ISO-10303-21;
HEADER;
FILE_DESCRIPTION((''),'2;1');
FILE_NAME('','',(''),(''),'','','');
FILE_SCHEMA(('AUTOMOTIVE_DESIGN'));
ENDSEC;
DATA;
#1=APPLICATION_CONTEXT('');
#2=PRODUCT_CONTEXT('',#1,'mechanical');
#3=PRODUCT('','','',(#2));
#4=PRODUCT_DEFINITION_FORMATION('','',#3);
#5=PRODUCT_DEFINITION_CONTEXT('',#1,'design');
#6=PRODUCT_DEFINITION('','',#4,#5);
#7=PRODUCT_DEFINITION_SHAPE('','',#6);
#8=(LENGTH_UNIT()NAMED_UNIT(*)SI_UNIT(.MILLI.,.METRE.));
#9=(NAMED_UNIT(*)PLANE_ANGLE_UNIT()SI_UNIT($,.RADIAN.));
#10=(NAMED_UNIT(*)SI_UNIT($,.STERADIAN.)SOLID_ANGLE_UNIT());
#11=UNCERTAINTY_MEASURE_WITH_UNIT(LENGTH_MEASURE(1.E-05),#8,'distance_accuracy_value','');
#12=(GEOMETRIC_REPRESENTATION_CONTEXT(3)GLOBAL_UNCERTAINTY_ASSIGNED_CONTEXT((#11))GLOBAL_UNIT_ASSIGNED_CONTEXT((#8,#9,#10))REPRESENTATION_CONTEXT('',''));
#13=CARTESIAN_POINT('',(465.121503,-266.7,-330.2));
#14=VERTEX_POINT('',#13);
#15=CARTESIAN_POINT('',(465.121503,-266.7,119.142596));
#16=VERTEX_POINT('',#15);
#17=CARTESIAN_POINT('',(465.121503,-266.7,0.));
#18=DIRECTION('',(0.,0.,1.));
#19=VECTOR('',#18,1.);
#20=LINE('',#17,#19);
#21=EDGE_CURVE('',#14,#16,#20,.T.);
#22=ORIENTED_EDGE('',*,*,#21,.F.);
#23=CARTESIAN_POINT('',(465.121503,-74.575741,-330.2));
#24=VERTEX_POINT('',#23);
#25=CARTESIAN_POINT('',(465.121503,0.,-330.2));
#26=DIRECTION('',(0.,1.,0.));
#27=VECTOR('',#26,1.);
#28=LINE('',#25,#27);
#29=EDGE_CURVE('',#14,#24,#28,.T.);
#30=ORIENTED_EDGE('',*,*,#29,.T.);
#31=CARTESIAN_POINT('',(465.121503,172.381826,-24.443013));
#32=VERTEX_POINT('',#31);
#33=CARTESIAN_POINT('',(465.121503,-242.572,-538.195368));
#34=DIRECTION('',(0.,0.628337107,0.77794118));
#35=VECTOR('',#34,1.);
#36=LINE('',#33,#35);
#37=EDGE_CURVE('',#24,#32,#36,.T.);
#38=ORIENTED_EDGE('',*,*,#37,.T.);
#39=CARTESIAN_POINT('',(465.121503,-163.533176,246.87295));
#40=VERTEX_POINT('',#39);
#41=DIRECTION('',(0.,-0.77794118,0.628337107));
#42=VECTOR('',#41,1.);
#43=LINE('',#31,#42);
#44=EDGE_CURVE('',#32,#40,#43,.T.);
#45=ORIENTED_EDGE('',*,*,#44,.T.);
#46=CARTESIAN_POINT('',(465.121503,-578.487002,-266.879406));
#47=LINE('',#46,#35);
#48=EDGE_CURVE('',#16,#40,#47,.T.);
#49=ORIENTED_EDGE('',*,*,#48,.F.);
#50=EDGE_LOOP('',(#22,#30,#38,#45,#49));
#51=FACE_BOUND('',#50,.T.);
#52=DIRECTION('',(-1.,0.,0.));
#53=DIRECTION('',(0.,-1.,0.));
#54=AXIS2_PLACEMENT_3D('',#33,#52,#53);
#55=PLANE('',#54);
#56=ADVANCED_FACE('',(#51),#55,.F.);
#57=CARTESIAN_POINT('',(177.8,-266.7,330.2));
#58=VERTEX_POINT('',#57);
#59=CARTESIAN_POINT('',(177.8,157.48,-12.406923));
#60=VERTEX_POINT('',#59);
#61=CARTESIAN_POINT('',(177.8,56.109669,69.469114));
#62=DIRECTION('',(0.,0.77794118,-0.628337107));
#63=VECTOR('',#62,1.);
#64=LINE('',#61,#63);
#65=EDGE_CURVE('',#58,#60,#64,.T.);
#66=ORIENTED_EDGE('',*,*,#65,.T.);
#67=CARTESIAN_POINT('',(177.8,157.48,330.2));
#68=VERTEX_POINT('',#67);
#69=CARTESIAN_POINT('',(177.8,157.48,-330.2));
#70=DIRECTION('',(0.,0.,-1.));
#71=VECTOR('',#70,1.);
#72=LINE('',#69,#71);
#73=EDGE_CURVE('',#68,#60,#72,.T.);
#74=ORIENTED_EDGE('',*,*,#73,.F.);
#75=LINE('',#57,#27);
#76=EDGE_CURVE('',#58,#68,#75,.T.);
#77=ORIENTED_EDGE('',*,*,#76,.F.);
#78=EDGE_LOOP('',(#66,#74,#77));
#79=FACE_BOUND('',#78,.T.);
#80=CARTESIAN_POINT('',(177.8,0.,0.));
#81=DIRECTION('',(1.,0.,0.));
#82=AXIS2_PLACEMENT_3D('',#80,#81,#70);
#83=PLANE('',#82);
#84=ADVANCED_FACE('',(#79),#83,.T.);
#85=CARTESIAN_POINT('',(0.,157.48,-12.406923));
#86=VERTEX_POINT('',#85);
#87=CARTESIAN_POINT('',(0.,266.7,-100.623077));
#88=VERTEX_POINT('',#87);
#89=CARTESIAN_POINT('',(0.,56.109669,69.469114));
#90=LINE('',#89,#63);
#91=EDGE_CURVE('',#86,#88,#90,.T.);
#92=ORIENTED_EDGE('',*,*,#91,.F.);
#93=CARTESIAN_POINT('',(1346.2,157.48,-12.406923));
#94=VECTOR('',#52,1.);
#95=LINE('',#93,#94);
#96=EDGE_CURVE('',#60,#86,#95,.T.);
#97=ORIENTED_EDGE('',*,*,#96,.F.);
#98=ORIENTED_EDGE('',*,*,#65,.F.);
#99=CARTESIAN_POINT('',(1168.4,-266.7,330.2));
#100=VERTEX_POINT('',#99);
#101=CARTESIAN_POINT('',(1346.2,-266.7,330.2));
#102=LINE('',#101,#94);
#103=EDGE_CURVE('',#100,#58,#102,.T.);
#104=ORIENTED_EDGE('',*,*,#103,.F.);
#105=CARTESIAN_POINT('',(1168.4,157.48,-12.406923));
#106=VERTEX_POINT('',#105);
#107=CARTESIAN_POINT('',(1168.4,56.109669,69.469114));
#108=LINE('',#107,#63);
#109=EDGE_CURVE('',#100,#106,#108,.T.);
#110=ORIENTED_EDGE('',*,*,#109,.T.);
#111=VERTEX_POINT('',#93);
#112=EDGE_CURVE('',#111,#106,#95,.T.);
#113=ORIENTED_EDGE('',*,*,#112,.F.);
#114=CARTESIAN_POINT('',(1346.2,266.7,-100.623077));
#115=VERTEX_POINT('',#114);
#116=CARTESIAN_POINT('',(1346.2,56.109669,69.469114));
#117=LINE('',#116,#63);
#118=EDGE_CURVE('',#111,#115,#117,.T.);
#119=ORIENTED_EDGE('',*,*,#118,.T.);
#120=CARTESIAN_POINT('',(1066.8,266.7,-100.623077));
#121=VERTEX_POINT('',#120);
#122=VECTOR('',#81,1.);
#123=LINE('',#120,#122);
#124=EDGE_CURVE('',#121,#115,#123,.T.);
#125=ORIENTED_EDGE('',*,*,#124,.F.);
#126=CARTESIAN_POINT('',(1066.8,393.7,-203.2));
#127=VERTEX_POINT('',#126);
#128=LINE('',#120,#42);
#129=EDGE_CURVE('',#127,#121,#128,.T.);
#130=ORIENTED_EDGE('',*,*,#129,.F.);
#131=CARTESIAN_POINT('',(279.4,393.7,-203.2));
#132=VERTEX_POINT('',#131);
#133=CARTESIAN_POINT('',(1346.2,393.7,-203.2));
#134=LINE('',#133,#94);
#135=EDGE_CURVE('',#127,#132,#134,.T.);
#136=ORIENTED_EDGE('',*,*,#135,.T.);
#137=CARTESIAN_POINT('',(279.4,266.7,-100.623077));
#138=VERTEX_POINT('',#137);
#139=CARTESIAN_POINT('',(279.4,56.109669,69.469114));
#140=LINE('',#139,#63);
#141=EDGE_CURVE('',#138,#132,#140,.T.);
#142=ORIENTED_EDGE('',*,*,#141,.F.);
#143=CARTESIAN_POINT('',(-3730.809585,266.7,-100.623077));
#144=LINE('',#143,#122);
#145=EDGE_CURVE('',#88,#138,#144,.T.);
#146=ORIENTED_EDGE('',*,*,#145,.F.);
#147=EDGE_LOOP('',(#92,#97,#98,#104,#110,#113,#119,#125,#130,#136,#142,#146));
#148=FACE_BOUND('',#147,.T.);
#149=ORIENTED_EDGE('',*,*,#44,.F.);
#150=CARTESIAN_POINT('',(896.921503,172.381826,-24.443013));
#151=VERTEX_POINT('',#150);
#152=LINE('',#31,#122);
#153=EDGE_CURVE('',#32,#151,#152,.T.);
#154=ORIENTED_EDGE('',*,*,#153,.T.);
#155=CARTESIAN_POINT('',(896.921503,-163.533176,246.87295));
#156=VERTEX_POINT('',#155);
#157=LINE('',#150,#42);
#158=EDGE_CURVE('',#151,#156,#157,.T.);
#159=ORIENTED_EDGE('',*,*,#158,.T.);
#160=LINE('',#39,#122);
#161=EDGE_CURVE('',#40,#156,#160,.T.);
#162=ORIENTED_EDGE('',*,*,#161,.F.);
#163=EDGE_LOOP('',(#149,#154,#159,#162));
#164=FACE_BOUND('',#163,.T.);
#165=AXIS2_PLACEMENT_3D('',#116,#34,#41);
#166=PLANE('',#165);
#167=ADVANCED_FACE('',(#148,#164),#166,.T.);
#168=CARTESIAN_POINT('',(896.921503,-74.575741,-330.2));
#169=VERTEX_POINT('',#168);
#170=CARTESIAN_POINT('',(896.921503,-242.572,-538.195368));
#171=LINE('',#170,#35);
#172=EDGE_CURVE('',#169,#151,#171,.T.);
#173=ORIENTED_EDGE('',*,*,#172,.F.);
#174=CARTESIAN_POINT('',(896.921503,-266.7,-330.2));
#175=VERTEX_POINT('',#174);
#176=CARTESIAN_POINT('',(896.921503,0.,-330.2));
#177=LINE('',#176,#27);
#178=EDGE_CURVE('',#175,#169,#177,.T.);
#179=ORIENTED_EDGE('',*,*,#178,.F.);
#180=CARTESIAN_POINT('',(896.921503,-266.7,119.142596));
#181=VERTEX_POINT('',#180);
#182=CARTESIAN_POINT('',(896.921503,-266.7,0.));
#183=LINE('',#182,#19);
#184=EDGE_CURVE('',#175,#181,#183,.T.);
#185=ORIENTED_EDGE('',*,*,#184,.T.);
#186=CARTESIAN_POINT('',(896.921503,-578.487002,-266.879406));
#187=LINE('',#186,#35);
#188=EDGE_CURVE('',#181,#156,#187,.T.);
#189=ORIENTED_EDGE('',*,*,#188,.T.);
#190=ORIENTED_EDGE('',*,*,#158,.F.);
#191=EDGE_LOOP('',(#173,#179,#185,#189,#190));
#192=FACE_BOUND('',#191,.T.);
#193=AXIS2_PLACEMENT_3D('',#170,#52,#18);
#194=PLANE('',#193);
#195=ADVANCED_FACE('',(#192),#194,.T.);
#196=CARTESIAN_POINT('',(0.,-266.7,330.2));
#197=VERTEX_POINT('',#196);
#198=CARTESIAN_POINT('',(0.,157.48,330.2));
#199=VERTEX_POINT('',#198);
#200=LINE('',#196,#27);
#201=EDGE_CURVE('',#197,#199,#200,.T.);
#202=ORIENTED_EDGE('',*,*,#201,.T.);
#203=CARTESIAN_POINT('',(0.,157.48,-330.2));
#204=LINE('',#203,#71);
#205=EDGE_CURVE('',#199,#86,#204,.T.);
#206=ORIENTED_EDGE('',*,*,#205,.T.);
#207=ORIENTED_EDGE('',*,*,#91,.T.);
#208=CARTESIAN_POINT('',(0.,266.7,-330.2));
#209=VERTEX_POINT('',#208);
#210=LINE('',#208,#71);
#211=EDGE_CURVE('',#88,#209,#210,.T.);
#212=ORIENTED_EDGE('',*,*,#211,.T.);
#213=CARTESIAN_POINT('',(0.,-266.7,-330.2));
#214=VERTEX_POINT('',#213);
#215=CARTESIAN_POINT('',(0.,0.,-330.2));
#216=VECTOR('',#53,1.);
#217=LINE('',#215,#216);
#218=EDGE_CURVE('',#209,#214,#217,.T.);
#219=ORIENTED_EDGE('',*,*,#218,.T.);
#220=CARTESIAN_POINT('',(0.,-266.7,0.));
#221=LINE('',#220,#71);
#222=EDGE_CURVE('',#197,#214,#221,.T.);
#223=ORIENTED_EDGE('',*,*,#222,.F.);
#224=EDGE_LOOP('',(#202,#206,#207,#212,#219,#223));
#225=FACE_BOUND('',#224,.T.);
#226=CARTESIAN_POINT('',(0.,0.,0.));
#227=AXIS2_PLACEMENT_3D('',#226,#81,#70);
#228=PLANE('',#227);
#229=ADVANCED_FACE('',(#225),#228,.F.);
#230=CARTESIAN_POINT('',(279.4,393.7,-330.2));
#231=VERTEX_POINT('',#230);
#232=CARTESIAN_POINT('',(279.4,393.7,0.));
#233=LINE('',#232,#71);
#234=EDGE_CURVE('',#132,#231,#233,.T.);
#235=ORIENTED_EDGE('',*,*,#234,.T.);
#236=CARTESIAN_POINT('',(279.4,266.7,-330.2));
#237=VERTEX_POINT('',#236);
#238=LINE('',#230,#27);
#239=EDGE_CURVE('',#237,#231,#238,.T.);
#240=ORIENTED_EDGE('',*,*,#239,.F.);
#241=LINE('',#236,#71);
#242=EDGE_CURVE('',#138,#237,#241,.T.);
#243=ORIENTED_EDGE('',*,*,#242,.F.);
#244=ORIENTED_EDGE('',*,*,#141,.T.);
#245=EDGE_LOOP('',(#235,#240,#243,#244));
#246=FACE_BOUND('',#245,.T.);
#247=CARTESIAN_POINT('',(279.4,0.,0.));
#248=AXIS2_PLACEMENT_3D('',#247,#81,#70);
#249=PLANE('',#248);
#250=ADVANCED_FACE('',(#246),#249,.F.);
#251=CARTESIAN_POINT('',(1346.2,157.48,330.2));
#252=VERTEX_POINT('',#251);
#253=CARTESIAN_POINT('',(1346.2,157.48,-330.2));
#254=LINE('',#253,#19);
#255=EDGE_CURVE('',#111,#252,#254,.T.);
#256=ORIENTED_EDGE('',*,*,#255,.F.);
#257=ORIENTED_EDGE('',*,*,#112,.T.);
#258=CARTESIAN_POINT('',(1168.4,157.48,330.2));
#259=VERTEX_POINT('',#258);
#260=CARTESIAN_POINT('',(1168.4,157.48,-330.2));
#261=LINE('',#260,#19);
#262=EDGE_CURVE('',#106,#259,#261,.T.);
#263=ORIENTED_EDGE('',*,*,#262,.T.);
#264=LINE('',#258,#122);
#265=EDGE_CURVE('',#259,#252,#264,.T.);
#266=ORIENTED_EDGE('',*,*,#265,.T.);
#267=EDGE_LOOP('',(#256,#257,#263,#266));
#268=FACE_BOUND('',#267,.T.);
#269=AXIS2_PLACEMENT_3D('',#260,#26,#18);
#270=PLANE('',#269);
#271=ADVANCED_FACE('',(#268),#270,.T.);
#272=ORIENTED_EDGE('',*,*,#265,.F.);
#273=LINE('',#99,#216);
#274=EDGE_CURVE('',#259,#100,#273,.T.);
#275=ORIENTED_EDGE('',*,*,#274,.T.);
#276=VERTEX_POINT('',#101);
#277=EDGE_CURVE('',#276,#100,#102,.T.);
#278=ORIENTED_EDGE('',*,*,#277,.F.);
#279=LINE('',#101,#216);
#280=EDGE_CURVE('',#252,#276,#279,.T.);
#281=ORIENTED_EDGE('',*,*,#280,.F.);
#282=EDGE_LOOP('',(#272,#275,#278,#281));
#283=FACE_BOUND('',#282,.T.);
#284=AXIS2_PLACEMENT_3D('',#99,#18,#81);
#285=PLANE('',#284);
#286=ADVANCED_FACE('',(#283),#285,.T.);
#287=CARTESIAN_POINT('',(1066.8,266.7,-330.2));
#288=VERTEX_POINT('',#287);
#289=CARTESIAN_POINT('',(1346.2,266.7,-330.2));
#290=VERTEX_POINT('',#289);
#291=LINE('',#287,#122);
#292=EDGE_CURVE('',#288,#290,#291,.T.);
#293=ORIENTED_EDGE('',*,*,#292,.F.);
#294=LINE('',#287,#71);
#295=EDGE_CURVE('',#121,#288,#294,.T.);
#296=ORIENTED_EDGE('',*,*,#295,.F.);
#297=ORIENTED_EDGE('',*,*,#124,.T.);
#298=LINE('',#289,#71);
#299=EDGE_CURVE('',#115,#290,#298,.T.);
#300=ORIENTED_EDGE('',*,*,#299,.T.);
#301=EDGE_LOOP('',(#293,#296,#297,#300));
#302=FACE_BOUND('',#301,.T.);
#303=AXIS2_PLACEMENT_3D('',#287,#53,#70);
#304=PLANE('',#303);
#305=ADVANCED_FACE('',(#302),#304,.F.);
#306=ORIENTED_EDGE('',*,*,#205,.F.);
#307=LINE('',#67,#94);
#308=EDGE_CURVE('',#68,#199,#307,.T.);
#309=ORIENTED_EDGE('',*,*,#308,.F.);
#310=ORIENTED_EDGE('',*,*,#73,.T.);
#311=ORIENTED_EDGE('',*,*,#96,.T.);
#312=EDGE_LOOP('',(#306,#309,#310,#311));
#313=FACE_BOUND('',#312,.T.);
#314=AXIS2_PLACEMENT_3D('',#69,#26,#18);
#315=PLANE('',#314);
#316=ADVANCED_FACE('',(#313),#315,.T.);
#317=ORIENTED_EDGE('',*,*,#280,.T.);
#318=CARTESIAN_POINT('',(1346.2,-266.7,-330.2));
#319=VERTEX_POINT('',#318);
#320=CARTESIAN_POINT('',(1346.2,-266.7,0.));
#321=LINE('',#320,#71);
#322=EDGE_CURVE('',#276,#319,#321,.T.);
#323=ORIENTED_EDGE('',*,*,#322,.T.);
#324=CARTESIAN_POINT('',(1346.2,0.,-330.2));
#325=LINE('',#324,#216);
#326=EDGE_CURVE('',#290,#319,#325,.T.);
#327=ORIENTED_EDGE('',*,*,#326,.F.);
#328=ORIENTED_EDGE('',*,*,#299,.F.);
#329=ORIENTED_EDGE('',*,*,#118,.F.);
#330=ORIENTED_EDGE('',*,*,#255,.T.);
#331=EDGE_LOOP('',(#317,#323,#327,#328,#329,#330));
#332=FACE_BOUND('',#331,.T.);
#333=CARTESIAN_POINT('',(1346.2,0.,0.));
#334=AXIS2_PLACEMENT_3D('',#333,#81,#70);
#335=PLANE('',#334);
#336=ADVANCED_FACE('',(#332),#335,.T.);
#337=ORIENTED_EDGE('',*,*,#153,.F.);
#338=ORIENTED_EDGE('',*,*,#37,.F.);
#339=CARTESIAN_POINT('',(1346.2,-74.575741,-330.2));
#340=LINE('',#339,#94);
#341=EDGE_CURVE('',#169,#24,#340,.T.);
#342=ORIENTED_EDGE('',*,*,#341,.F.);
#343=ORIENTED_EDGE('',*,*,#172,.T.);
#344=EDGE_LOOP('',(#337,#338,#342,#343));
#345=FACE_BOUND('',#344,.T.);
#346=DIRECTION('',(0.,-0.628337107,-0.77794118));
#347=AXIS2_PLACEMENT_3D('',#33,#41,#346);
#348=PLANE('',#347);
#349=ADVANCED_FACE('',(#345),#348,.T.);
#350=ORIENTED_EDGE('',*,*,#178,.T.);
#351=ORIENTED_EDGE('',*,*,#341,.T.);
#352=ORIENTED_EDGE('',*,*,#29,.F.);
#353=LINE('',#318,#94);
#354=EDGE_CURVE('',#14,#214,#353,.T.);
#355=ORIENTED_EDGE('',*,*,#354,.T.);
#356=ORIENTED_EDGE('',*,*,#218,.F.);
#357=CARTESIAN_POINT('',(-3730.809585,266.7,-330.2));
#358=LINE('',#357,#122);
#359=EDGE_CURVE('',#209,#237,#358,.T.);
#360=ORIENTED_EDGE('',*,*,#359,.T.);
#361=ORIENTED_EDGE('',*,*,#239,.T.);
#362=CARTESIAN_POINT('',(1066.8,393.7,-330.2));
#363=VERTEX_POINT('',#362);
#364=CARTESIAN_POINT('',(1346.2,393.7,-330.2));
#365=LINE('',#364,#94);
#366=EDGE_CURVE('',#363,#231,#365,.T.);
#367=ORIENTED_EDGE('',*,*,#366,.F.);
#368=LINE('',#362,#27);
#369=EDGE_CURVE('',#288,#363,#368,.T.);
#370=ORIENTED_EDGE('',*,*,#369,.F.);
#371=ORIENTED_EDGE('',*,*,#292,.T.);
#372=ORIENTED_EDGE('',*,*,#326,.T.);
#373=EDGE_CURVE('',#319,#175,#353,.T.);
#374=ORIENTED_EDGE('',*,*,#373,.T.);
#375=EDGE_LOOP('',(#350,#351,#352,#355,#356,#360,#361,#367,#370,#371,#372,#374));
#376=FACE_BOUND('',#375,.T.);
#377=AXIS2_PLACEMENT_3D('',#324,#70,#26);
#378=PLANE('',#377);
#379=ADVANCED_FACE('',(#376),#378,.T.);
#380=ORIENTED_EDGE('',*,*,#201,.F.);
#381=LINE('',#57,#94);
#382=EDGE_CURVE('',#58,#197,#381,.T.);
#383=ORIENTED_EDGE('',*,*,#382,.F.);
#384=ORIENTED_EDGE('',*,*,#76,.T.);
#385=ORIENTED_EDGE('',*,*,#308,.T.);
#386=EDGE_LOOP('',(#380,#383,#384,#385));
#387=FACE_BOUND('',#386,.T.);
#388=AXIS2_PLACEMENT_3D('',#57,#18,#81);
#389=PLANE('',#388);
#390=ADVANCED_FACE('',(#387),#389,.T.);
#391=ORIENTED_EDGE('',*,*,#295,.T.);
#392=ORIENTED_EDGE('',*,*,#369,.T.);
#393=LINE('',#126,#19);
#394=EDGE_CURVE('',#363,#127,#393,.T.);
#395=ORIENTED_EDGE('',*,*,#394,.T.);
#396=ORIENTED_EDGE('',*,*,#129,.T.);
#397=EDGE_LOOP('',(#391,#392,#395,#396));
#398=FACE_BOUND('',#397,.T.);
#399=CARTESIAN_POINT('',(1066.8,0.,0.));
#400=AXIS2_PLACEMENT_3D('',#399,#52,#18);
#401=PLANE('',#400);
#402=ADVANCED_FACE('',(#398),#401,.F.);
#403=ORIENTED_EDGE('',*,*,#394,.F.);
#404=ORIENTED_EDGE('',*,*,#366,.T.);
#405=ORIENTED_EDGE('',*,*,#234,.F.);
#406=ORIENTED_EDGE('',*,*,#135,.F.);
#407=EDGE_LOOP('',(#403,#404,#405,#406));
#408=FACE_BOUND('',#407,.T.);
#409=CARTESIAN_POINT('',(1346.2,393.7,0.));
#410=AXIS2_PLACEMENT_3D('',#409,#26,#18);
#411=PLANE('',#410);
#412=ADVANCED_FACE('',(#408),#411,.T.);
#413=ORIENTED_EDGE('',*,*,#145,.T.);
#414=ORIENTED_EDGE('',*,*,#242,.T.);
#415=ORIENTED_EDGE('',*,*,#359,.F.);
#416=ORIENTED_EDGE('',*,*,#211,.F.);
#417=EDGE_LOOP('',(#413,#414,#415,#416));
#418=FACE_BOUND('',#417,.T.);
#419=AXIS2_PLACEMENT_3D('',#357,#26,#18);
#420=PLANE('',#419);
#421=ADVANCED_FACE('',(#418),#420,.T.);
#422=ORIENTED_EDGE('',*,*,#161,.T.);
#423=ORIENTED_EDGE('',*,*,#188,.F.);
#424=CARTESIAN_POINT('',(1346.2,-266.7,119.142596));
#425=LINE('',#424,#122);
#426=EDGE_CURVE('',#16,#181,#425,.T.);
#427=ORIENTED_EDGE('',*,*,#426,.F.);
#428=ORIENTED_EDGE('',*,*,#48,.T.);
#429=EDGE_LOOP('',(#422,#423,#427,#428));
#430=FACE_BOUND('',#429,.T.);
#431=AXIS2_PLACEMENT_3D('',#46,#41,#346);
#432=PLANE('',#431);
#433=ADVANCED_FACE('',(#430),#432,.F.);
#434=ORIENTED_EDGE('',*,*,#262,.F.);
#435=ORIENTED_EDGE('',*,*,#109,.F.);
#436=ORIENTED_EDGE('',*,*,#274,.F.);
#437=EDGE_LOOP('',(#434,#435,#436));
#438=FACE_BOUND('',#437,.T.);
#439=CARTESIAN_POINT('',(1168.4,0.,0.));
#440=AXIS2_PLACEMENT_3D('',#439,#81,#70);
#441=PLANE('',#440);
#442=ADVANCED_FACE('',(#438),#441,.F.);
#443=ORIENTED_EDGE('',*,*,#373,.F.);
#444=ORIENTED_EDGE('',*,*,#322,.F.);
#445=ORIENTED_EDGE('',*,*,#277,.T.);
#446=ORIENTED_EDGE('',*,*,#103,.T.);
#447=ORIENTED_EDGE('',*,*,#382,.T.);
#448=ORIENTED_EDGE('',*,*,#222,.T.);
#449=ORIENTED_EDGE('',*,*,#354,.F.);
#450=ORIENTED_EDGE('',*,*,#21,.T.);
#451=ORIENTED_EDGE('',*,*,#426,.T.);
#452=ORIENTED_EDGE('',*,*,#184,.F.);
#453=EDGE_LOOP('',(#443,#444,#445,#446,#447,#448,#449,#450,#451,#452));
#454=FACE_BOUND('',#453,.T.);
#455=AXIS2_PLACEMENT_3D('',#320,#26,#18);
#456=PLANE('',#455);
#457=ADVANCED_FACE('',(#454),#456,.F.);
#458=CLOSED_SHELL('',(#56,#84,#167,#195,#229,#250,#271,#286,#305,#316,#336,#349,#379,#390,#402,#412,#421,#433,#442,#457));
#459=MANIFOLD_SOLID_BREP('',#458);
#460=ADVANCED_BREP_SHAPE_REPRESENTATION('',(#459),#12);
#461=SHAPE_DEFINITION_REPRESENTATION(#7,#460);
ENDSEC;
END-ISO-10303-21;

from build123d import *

# Parameters (mm, degrees)
BOSS_EXTRUDE1_DEPTH     = 1346.2
CUT_EXTRUDE1_DEPTH      = 279.4
CUT_EXTRUDE2_DEPTH      = 1441.932396055
CUT_EXTRUDE2_DEPTH_BACK = 279.4
SKETCH5_W               = 660.4
SKETCH5_H               = 424.18
BOSS_EXTRUDE2_DEPTH     = 177.8
SKETCH6_W               = 660.4
SKETCH6_H               = 424.18
BOSS_EXTRUDE3_DEPTH     = 177.8
SKETCH7_W               = 431.8
SKETCH7_H               = 431.8
CUT_EXTRUDE3_DEPTH      = 660.4


with BuildPart() as part:
    # Sketch1 → Boss-Extrude1 (new body)
    with BuildSketch(Plane(origin=(0, 0, 0), x_dir=(0, 0, -1), z_dir=(1, 0, 0))):
        Polygon((100.623076923, 266.7), (-330.2, -266.7), (330.2, -266.7), (330.2, 266.7), (203.2, 266.7), align=None)
        Polygon((203.2, 393.7), (100.623076923, 266.7), (203.2, 266.7), (330.2, 266.7), (330.2, 393.7), align=None)
    extrude(amount=BOSS_EXTRUDE1_DEPTH)

    # Sketch2 → Cut-Extrude1 (cut)
    with BuildSketch(Plane(origin=(1346.2, 0, 0), x_dir=(0, 0, -1), z_dir=(1, 0, 0))):
        Polygon((330.2, 393.7), (330.2, 266.7), (100.623076923, 266.7), (203.2, 393.7), align=None)
    extrude(amount=-CUT_EXTRUDE1_DEPTH, mode=Mode.SUBTRACT)

    # Sketch3 → Cut-Extrude2 (cut, two sides: drawn at the far end of the back side and taken through both)
    with BuildSketch(Plane.ZY.offset(-CUT_EXTRUDE2_DEPTH_BACK)):
        Polygon((-330.2, 2271.593273182), (-330.2, 393.7), (-330.2, 266.7), (-100.623076923, 266.7), (1777.270196259, 266.7), (4365.963516587, 2987.839370769), (2258.493320327, 4992.732643951), align=None)
    extrude(amount=CUT_EXTRUDE2_DEPTH + CUT_EXTRUDE2_DEPTH_BACK, mode=Mode.SUBTRACT)

    # Sketch5 → Boss-Extrude2 (add)
    with BuildSketch(Plane(origin=(1346.2, 0, 0), x_dir=(0, 0, -1), z_dir=(1, 0, 0))):
        with Locations((0, -54.61)):
            Rectangle(SKETCH5_W, SKETCH5_H)
    extrude(amount=-BOSS_EXTRUDE2_DEPTH)

    # Sketch6 → Boss-Extrude3 (add)
    with BuildSketch(Plane.ZY):
        with Locations((0, -54.61)):
            Rectangle(SKETCH6_W, SKETCH6_H)
    extrude(amount=-BOSS_EXTRUDE3_DEPTH)

    # Sketch7 → Cut-Extrude3 (cut)
    with BuildSketch(Plane(origin=(0, 56.109668756, 69.469113697), x_dir=(1, 0, 0), z_dir=(0, 0.6283371070876211, 0.7779411802037217))):
        with Locations((681.021503016, -66.438627043)):
            Rectangle(SKETCH7_W, SKETCH7_H)
    extrude(amount=-CUT_EXTRUDE3_DEPTH, mode=Mode.SUBTRACT)


solid = part.part
